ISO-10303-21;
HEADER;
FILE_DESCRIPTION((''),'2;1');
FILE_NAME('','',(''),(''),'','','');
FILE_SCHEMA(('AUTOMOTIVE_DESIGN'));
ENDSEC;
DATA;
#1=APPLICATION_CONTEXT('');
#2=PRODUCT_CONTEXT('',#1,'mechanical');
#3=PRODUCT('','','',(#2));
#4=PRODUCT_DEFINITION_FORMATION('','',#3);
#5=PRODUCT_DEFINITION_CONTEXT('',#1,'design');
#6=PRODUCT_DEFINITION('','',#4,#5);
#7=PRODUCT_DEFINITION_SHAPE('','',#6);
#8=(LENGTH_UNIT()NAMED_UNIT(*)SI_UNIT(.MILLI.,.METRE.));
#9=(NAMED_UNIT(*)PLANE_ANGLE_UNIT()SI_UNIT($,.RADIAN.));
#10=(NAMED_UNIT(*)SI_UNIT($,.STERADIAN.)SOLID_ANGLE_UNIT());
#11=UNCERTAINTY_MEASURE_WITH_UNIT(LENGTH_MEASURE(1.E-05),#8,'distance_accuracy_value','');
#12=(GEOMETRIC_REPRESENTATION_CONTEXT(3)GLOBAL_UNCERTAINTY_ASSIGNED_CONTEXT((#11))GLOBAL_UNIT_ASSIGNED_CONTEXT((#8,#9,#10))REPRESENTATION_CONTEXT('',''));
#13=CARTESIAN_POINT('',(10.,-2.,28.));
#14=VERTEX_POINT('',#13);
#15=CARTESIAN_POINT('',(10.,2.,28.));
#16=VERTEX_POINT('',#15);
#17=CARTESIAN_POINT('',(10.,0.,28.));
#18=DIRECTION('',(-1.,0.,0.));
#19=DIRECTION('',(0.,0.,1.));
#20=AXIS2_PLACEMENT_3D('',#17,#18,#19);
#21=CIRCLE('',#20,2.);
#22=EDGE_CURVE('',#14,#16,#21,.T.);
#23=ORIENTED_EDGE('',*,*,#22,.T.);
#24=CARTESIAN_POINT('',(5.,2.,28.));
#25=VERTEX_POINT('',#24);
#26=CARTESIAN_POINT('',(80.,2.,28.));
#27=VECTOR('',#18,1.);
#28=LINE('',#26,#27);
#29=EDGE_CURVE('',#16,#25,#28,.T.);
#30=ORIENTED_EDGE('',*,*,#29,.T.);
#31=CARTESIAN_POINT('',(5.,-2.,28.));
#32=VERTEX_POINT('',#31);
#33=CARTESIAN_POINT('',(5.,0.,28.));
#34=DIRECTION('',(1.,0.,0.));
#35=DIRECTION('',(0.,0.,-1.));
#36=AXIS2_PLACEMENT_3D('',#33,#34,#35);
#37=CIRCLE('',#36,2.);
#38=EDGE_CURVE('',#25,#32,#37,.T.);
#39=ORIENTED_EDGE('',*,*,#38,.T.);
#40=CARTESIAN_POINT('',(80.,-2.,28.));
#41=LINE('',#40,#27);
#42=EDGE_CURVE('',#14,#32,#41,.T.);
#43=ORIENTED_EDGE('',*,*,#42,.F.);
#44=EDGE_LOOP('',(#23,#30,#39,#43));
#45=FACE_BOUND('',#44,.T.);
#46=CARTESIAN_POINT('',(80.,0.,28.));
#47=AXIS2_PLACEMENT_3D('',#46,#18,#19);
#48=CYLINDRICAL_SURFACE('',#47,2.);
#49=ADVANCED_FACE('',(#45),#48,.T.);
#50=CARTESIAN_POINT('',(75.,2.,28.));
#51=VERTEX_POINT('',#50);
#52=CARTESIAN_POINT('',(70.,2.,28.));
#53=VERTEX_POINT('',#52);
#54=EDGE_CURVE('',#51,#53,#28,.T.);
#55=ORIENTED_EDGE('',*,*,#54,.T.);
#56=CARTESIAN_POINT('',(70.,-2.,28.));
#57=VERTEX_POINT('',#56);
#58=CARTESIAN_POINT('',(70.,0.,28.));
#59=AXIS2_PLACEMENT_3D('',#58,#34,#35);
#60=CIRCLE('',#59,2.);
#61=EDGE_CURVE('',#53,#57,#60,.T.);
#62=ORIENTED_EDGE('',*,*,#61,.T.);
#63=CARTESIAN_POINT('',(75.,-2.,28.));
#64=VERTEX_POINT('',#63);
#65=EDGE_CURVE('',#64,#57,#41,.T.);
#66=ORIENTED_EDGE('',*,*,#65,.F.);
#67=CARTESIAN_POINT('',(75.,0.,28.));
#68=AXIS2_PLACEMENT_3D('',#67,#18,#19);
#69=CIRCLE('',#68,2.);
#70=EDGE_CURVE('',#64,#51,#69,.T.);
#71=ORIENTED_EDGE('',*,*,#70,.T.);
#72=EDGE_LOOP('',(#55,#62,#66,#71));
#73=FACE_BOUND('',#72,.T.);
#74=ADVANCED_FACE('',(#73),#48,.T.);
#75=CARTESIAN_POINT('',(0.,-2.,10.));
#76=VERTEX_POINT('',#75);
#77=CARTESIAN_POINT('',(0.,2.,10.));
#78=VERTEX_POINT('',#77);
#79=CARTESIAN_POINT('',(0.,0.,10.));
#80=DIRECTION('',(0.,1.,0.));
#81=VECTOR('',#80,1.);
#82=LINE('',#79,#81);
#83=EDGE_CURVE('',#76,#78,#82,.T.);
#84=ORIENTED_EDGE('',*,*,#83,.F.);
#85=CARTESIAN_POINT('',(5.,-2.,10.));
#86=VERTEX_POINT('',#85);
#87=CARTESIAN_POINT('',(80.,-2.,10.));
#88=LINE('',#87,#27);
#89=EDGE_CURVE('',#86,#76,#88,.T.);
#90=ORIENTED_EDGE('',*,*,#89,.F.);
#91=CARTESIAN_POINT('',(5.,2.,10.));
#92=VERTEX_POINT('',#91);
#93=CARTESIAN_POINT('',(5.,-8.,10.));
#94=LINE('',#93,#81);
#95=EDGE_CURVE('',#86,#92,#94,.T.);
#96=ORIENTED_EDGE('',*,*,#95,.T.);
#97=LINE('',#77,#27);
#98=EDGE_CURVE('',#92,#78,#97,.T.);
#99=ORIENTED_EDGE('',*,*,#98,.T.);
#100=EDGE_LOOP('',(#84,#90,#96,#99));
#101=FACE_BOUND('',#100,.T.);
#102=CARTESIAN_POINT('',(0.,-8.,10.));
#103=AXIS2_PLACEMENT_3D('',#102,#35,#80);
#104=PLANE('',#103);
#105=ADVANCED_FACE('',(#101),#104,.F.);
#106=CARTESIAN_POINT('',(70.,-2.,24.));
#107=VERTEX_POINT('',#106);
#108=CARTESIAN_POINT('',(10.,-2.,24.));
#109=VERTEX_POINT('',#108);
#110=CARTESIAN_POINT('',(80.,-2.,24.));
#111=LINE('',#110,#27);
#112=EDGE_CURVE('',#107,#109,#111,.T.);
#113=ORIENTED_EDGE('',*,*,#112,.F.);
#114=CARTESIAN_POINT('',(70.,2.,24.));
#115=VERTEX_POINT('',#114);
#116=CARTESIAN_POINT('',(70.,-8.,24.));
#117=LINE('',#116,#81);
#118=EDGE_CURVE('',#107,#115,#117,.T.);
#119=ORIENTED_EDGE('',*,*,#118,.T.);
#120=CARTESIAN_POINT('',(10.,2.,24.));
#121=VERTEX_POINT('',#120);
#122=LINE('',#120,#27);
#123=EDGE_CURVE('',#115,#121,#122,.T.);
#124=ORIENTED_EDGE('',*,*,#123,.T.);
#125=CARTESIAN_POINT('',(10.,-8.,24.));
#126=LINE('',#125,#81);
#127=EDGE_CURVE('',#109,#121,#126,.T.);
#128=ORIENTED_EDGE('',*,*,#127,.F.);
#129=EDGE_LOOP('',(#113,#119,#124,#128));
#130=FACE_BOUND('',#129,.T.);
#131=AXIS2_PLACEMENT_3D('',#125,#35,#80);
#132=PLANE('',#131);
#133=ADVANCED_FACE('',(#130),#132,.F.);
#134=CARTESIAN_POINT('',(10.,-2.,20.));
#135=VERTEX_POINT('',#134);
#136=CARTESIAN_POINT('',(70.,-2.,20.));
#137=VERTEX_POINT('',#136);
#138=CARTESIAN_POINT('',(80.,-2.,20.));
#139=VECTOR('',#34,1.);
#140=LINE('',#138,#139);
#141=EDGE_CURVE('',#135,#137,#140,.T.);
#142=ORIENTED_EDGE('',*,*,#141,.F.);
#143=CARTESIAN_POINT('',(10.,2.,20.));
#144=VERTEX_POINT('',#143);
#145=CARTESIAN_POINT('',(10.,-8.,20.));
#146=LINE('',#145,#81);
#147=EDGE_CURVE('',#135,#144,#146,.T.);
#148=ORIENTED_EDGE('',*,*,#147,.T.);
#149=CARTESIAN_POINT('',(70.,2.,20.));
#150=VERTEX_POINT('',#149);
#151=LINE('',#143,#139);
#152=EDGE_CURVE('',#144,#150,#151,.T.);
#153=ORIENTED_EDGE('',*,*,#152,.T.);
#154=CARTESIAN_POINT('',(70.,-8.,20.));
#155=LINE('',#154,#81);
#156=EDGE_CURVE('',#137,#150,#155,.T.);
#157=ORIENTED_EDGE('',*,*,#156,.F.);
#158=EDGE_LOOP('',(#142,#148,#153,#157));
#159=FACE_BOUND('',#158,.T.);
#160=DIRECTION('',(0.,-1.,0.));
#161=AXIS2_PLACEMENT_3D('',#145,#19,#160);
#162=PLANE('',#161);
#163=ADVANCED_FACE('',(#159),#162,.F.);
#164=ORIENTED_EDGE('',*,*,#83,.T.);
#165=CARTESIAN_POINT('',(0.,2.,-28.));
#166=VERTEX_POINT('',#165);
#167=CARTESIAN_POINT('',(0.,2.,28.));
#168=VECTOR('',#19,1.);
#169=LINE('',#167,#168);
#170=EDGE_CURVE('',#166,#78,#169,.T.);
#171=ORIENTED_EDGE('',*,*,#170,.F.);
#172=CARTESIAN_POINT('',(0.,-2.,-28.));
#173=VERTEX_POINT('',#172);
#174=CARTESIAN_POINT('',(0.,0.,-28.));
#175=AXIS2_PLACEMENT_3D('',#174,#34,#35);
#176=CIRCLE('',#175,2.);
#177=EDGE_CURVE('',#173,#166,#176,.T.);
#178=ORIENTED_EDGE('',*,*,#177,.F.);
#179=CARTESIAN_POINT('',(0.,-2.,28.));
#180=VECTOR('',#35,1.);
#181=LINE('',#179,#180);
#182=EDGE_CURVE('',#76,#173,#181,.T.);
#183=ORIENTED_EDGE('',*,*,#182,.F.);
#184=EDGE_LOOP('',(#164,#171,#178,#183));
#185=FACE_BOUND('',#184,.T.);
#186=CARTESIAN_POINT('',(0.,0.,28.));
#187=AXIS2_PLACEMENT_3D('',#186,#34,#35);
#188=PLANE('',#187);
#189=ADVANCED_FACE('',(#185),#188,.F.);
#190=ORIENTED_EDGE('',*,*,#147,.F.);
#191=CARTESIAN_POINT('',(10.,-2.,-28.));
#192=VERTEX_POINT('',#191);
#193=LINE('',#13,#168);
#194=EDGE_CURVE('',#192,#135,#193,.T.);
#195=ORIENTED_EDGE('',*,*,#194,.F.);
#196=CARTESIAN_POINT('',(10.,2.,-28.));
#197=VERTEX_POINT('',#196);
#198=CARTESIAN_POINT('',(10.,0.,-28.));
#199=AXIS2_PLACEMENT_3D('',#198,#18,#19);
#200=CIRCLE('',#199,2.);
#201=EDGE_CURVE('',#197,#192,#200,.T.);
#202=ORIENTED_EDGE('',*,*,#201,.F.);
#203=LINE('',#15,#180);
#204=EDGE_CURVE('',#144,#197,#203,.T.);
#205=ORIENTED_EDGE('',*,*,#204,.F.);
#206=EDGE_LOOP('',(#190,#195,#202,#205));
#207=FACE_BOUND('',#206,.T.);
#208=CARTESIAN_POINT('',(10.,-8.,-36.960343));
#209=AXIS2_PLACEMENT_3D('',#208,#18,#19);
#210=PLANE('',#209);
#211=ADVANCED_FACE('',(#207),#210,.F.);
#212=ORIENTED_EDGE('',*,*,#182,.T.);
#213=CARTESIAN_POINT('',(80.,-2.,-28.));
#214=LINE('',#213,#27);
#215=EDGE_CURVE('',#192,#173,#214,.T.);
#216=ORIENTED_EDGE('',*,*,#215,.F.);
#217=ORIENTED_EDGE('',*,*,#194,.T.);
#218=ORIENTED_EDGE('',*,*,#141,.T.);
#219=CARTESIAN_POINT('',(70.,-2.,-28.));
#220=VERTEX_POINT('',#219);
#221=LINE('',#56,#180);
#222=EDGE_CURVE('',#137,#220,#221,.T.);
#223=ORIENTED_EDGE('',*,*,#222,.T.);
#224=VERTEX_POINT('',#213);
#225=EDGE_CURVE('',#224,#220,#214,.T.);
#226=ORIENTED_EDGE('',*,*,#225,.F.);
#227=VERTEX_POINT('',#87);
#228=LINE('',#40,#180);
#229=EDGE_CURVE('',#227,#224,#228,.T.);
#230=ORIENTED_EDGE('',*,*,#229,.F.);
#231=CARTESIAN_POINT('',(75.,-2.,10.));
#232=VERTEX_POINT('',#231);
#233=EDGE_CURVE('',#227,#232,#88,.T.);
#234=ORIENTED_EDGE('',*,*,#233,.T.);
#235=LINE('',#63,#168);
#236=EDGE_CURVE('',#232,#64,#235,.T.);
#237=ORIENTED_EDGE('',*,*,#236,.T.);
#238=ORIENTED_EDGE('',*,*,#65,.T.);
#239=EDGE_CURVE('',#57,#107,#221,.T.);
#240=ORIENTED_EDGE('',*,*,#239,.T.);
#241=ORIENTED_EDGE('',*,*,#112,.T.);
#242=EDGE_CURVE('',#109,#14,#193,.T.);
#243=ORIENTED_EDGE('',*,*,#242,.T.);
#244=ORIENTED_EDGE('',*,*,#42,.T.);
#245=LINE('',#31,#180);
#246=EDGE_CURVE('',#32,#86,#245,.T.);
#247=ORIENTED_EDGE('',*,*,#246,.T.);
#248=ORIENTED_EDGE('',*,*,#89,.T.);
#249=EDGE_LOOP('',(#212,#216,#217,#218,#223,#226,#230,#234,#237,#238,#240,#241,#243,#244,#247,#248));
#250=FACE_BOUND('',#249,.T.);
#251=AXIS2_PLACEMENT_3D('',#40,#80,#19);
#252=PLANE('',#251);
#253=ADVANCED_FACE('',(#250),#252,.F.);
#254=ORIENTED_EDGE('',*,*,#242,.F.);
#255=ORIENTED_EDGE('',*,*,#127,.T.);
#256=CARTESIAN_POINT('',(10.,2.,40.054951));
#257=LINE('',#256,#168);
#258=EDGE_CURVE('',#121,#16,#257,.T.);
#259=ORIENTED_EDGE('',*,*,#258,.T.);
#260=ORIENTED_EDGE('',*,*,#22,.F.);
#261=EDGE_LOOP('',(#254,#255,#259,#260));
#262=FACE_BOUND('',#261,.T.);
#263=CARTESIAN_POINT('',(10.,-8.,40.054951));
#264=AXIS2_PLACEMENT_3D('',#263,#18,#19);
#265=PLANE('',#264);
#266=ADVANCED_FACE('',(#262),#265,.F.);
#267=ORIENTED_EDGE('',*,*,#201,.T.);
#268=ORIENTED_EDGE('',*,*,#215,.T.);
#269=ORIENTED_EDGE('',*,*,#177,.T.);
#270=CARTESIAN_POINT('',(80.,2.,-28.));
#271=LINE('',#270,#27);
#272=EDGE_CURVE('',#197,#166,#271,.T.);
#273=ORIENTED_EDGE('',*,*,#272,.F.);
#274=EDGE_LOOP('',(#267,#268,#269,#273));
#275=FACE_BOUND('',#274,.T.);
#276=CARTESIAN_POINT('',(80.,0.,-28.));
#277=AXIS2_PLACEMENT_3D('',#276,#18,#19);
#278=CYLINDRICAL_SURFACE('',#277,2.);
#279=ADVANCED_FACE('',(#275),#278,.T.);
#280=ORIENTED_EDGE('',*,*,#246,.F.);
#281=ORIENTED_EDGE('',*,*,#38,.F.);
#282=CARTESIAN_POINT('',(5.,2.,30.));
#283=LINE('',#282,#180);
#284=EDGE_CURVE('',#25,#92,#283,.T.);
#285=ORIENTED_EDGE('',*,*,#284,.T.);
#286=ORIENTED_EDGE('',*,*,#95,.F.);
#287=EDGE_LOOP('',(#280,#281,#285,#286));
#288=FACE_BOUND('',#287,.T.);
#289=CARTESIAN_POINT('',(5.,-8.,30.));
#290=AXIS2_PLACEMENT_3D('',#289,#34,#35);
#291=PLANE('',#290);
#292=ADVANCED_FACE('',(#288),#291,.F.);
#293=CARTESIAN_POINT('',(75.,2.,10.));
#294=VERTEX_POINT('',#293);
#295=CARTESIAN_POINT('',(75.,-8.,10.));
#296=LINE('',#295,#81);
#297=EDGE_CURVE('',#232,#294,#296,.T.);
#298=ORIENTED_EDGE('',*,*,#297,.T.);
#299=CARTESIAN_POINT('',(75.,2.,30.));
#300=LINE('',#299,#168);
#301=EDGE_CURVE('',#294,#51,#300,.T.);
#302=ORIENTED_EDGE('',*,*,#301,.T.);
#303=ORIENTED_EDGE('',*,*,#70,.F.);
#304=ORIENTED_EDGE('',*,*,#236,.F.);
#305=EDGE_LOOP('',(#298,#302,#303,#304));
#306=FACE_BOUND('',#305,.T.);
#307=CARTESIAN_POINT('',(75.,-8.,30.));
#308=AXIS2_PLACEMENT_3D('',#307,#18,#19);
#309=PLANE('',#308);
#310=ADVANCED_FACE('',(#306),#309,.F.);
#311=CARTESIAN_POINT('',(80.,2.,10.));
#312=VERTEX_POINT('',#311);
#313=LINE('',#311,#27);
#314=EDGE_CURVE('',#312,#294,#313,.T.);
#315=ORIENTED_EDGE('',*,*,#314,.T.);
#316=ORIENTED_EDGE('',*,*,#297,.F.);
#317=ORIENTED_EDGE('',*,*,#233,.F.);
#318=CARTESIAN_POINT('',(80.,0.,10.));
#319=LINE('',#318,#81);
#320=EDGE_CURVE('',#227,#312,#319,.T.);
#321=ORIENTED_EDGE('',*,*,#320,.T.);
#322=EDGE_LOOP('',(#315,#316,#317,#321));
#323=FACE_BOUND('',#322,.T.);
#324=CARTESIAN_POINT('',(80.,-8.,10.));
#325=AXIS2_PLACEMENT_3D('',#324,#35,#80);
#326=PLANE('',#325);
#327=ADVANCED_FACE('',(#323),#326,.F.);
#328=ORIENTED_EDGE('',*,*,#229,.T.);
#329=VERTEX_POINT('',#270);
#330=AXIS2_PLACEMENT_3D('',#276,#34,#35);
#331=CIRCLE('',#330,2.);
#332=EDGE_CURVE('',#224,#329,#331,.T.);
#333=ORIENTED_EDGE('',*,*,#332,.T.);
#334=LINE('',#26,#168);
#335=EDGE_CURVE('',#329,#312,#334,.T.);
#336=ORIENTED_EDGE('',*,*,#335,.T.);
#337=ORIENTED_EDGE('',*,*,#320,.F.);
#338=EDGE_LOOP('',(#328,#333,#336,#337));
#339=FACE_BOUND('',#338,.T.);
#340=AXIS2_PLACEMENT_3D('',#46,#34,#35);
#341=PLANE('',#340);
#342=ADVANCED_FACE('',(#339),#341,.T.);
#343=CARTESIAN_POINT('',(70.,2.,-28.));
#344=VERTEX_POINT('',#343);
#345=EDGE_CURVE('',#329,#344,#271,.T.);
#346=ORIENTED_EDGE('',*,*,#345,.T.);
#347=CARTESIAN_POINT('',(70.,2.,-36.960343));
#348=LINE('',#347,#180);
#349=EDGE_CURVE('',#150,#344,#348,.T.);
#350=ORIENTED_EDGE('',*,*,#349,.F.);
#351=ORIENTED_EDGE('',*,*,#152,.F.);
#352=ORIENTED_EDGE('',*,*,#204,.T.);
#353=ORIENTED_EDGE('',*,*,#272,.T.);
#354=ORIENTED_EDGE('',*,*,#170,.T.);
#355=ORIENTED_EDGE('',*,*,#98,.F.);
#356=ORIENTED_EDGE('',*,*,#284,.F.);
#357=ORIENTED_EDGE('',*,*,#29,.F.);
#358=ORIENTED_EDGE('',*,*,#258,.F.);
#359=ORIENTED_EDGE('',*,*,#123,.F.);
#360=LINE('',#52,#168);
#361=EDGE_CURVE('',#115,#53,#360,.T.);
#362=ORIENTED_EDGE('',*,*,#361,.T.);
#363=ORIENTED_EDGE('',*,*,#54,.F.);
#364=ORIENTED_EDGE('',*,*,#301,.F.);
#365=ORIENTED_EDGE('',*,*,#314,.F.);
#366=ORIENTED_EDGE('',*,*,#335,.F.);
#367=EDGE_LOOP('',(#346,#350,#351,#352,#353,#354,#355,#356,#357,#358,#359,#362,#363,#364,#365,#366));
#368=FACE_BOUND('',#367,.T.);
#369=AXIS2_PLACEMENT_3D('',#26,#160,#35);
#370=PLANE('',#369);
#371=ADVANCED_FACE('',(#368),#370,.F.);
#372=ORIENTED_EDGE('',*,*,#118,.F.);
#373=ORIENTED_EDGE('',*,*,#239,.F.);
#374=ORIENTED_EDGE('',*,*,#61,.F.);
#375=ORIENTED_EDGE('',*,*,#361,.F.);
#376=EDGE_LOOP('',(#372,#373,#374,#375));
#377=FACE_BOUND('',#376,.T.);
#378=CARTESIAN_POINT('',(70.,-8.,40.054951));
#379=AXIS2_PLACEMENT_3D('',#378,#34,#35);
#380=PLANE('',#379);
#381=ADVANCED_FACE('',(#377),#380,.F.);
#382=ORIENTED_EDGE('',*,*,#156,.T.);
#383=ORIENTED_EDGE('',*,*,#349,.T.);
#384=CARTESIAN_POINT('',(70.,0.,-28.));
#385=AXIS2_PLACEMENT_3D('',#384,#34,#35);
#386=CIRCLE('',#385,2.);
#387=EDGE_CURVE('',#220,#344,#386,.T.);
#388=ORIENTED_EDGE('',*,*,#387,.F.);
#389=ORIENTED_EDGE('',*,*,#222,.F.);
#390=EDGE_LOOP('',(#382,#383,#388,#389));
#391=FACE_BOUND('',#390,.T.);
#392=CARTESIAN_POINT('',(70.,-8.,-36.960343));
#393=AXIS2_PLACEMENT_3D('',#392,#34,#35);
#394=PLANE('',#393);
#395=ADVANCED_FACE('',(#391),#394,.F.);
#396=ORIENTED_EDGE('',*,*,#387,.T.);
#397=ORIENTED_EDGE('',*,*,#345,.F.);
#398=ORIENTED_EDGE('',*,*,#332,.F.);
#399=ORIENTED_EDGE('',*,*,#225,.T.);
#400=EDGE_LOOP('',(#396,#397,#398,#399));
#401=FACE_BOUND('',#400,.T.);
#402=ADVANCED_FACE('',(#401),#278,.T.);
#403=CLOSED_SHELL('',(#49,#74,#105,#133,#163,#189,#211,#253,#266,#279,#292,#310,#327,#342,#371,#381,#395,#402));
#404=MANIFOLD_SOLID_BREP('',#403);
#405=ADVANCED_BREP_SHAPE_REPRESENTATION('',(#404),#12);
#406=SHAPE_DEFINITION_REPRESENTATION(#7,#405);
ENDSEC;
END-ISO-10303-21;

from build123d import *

# Parameters (mm, degrees)
EXTRUDE_1_DEPTH     = 80
SKETCH_3_W          = 60
SKETCH_3_H          = 16.054950693
SKETCH_3_H_2        = 56.960343262
CUT_EXTRUDE_1_DEPTH = 10
SKETCH_4_W          = 5
SKETCH_4_H          = 20
CUT_EXTRUDE_2_DEPTH = 10


with BuildPart() as part:
    # 草图2 → 凸台-拉伸1 (new body)
    with BuildSketch(Plane(origin=(0, 0, 0), x_dir=(0, 0, -1), z_dir=(1, 0, 0))):
        with BuildLine():
            Line((-28, 2), (28, 2))
            ThreePointArc((28, 2), (30, 0), (28, -2))
            Line((28, -2), (-28, -2))
            ThreePointArc((-28, -2), (-30, 0), (-28, 2))
        make_face()
    extrude(amount=EXTRUDE_1_DEPTH)

    # 草图3 → 切除-拉伸1 (cut)
    with BuildSketch(Plane(origin=(0, 2, 0), x_dir=(1, 0, 0), z_dir=(0, 1, 0))):
        with Locations((40, -32.027475346)):
            Rectangle(SKETCH_3_W, SKETCH_3_H)
        with Locations((40, 8.480171631)):
            Rectangle(SKETCH_3_W, SKETCH_3_H_2)
    extrude(amount=-CUT_EXTRUDE_1_DEPTH, mode=Mode.SUBTRACT)

    # 草图4 → 切除-拉伸2 (cut)
    with BuildSketch(Plane(origin=(0, 2, 0), x_dir=(1, 0, 0), z_dir=(0, 1, 0))):
        with Locations((2.5, -20)):
            Rectangle(SKETCH_4_W, SKETCH_4_H)
        with Locations((77.5, -20)):
            Rectangle(SKETCH_4_W, SKETCH_4_H)
    extrude(amount=-CUT_EXTRUDE_2_DEPTH, mode=Mode.SUBTRACT)


solid = part.part
